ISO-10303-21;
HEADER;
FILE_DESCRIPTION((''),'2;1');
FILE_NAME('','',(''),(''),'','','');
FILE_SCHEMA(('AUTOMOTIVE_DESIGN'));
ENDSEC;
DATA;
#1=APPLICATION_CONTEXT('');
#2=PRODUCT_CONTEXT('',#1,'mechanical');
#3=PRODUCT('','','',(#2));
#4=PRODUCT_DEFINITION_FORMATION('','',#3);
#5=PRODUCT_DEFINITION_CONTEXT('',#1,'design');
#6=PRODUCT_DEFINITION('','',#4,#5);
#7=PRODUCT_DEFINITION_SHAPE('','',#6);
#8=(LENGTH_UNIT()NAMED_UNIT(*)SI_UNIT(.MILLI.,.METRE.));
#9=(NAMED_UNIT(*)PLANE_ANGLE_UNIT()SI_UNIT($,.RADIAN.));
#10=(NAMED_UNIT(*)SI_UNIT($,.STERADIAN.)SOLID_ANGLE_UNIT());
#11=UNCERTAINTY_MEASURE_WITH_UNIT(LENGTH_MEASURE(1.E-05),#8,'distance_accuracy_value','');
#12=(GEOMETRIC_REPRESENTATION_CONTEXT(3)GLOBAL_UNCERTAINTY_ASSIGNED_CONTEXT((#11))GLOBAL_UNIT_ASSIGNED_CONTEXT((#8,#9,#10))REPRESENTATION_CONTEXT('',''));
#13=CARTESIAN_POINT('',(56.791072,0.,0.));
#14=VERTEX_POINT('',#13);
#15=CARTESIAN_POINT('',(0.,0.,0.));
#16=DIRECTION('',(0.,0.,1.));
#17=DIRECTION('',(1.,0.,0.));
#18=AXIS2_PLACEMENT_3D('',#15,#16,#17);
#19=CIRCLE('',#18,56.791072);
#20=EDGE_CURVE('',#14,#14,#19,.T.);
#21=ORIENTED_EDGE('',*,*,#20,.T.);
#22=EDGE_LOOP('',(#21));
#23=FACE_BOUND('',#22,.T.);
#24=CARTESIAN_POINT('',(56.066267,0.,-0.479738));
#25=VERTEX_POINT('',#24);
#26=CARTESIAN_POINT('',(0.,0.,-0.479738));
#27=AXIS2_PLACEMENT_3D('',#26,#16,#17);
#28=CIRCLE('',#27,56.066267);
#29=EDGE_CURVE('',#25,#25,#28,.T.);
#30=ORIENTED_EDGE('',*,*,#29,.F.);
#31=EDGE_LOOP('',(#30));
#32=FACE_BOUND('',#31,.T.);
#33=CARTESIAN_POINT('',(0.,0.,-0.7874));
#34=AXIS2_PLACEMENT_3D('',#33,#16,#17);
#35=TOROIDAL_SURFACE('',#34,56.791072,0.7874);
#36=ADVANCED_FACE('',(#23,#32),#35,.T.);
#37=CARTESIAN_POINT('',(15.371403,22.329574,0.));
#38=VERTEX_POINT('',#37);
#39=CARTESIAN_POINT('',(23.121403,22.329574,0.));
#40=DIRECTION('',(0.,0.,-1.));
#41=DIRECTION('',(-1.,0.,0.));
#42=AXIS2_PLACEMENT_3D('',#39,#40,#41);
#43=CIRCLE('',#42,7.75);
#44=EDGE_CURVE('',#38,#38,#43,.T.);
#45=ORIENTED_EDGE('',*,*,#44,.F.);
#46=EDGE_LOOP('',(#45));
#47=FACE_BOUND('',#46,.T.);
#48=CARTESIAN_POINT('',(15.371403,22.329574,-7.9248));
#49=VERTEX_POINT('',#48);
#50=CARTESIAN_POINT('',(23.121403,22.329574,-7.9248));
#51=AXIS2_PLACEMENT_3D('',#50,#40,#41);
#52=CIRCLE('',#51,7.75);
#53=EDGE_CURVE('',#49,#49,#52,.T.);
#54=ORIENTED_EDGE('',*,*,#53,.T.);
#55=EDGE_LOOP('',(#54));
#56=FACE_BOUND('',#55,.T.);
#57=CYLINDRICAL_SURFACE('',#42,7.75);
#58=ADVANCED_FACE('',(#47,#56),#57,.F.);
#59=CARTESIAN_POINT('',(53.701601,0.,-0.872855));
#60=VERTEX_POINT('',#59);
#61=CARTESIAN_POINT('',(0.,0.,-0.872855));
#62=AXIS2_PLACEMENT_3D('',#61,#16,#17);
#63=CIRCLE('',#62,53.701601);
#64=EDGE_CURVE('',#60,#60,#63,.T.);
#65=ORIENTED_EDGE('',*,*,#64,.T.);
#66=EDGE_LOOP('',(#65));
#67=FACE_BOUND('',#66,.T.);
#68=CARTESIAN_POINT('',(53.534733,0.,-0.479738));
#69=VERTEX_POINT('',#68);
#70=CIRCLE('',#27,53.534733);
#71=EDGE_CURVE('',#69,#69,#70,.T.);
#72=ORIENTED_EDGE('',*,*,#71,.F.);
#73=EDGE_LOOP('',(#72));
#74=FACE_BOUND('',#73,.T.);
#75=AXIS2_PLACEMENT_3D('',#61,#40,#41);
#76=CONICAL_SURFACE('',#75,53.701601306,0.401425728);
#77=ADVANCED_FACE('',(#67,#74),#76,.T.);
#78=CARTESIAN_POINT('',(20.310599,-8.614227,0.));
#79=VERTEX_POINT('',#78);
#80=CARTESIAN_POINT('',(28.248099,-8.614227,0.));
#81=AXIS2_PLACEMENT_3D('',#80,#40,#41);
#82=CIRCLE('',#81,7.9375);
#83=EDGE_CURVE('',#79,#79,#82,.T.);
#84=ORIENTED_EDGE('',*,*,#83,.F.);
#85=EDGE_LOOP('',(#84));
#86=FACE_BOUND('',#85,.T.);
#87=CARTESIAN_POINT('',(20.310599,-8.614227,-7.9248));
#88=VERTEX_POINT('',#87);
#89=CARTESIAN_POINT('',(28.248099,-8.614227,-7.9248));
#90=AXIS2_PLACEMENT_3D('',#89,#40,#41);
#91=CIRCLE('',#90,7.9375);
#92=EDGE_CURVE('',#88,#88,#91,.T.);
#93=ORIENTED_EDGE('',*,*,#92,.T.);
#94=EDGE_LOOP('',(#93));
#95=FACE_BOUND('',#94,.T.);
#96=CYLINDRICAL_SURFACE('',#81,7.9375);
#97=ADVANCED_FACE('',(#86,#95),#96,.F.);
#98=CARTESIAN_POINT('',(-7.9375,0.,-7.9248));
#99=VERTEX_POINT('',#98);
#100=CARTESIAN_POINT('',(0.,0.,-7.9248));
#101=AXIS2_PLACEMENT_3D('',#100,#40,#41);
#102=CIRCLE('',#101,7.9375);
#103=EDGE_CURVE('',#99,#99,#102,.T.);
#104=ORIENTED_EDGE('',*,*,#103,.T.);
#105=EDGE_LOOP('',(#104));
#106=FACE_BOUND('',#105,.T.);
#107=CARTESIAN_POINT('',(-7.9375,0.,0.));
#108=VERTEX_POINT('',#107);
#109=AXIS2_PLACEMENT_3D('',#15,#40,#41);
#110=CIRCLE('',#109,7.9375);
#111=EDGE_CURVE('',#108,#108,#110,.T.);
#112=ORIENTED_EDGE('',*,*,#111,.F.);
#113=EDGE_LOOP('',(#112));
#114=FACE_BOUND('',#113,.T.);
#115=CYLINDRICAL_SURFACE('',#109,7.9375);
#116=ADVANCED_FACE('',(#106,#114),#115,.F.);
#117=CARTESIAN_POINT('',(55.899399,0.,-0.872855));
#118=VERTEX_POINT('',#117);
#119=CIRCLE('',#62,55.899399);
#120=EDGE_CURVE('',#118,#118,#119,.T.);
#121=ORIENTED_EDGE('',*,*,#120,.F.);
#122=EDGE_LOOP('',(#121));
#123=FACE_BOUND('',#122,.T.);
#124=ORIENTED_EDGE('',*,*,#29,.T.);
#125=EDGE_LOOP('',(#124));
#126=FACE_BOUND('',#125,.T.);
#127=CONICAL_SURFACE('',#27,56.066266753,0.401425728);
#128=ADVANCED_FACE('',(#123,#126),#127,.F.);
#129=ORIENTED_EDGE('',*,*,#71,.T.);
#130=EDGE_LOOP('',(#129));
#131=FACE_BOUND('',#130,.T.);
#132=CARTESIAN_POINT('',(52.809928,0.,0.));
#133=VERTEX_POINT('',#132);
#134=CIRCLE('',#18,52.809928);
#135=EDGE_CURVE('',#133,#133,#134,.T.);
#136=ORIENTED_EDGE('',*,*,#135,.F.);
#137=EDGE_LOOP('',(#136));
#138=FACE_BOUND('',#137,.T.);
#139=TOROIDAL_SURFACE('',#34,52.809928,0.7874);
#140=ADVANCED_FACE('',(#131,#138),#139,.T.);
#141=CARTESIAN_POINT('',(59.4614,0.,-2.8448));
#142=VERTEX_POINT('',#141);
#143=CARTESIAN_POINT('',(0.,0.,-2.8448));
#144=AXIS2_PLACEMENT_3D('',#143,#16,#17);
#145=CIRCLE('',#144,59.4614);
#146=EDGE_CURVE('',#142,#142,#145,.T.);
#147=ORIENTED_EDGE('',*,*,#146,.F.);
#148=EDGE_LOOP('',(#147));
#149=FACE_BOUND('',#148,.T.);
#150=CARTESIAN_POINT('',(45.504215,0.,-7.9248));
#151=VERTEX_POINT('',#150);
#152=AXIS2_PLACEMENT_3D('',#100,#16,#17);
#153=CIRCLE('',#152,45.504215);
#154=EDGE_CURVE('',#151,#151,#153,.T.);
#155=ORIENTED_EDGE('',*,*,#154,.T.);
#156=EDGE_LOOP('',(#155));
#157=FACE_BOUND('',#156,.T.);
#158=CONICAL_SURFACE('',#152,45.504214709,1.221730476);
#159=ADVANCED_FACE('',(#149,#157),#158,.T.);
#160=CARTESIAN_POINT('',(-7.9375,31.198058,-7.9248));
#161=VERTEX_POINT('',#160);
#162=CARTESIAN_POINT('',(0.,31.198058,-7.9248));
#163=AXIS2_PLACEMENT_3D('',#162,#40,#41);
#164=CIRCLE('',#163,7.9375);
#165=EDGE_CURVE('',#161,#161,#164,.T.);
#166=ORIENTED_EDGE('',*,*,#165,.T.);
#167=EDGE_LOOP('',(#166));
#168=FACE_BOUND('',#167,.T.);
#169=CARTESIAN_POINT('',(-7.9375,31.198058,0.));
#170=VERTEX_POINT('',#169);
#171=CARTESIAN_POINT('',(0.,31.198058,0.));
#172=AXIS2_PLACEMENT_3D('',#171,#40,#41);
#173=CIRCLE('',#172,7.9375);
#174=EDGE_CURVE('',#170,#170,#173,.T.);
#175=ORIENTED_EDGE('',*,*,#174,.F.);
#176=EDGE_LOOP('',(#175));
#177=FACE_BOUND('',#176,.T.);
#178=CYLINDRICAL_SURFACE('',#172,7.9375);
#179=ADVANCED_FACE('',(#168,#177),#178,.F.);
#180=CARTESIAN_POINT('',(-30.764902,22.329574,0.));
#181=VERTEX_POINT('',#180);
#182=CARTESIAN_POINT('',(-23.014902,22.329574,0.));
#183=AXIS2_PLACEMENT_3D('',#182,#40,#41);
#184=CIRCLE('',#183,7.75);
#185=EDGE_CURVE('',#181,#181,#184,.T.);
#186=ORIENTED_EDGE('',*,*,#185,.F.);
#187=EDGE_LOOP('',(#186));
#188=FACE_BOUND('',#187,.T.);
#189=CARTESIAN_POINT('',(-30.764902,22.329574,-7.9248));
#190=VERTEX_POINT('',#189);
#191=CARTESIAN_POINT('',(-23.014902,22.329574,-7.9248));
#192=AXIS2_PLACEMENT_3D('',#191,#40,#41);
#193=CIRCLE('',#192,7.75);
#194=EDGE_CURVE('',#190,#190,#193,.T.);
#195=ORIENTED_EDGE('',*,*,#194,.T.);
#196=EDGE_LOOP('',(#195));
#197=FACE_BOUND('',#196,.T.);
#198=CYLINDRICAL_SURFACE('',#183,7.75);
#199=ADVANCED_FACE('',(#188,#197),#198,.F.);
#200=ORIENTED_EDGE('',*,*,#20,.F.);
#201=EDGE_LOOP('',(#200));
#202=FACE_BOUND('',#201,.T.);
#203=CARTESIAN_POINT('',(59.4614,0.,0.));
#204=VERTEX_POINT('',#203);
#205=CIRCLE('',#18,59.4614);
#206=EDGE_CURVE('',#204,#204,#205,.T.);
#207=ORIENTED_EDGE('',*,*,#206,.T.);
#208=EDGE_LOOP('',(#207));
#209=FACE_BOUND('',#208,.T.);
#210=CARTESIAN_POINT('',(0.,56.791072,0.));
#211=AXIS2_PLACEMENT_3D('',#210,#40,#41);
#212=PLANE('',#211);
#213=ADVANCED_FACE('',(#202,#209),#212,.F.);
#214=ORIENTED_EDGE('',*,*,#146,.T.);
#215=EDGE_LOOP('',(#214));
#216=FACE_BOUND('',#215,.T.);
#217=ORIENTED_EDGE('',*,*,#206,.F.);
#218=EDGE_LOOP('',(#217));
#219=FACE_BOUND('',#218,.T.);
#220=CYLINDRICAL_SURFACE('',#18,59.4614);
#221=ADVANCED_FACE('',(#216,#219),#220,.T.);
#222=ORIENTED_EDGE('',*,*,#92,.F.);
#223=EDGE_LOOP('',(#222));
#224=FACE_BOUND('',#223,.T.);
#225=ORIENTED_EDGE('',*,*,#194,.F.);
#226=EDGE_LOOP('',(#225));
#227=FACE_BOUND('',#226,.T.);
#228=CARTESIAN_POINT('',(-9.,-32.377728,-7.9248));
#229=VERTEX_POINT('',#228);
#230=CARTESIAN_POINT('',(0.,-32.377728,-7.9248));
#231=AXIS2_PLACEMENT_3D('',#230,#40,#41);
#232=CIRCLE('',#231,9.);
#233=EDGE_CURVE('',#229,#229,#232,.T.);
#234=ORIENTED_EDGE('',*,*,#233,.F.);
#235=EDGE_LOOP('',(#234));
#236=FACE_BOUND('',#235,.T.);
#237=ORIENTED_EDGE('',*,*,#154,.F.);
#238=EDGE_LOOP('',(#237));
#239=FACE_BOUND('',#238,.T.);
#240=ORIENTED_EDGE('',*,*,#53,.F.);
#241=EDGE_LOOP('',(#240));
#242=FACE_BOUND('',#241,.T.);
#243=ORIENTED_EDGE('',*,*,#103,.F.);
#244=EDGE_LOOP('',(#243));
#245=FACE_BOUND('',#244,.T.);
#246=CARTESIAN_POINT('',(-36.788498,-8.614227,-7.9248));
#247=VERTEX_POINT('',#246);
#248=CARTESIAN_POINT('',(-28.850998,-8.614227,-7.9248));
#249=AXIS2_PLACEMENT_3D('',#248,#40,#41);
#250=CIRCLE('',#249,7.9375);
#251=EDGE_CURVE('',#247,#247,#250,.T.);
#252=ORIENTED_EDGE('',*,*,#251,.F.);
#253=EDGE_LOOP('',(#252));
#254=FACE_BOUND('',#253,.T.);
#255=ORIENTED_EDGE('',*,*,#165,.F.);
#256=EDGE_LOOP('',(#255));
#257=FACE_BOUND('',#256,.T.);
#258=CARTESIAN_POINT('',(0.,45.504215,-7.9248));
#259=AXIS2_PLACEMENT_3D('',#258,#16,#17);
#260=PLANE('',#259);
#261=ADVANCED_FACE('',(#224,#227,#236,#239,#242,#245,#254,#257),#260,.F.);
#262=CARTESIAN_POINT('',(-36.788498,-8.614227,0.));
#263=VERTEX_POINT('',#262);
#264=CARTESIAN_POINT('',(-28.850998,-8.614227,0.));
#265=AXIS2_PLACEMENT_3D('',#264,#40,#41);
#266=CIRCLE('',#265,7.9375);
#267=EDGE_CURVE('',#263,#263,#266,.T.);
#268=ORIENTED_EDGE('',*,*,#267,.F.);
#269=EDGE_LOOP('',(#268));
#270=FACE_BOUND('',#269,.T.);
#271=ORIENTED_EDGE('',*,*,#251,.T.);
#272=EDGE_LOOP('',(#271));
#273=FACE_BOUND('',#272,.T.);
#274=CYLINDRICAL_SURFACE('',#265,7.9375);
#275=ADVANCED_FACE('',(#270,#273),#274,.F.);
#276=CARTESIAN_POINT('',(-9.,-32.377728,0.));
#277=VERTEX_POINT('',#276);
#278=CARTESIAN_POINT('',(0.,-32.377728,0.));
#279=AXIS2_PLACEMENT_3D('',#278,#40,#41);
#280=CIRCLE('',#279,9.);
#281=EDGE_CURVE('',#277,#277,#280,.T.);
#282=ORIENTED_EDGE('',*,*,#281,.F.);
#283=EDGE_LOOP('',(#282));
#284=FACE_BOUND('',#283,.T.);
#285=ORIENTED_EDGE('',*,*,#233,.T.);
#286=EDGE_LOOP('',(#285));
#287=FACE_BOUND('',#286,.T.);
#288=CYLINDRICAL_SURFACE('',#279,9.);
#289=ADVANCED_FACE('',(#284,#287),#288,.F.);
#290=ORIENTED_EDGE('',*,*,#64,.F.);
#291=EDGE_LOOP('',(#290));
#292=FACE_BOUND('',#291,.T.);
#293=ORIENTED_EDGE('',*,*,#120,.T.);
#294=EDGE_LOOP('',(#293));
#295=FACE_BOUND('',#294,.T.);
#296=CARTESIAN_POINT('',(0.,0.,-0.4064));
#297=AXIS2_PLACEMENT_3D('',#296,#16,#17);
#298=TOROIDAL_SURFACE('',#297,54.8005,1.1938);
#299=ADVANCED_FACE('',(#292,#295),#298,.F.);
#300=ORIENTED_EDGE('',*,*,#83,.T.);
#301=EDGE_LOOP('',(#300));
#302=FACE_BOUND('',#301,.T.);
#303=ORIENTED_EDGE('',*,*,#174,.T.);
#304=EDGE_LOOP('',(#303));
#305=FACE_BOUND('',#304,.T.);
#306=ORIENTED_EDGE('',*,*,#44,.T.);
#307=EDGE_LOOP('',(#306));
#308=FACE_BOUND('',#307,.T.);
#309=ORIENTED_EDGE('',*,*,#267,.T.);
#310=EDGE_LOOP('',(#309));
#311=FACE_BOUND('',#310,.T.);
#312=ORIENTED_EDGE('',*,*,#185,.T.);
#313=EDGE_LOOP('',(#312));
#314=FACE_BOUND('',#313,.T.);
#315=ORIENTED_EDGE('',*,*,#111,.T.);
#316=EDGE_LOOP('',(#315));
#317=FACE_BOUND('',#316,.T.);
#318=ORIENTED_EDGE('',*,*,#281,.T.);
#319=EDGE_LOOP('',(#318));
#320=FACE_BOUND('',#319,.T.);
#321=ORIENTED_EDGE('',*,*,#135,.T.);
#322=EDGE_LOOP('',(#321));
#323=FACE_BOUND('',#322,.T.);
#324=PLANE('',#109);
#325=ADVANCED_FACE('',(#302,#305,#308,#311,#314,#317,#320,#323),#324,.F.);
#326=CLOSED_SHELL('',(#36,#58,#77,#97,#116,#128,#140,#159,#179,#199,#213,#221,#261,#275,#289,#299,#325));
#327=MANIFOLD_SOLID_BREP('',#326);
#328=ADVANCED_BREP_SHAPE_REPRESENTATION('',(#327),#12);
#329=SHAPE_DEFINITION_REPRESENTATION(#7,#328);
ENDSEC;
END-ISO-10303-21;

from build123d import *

# Parameters (mm, degrees)
SKETCH2_R          = 7.75
SKETCH2_R_2        = 7.9375
SKETCH2_R_3        = 9
CUT_EXTRUDE1_DEPTH = 85.463711951


with BuildPart() as part:
    # Sketch1 → Revolve1 (revolve)
    with BuildSketch(Plane(origin=(0, 0, 0), x_dir=(0, 0, -1), z_dir=(1, 0, 0)), mode=Mode.PRIVATE) as revolve1_sk:
        with BuildLine():
            Line((0, 0), (0, 52.809927725))
            ThreePointArc((0, 52.809927725), (0.130798304, 53.244522907), (0.479738309, 53.534733247))
            Line((0.479738309, 53.534733247), (0.872854821, 53.701601306))
            ThreePointArc((0.872854821, 53.701601306), (1.6002, 54.8005), (0.872854821, 55.899398694))
            Line((0.872854821, 55.899398694), (0.479738309, 56.066266753))
            ThreePointArc((0.479738309, 56.066266753), (0.130798304, 56.356477093), (0, 56.791072275))
            Line((0, 56.791072275), (0, 59.4614))
            Line((0, 59.4614), (2.8448, 59.4614))
            Line((2.8448, 59.4614), (7.9248, 45.504214709))
            Line((7.9248, 45.504214709), (7.9248, 0))
            Line((7.9248, 0), (0, 0))
        make_face()
    revolve(revolve1_sk.sketch.rotate(Axis((0, 0, 0), (0, 0, -1)), 90), axis=Axis((0, 0, 0), (0, 0, -1)))

    # Sketch2 → Cut-Extrude1 (cut, through all)
    with BuildSketch(Plane(origin=(0, 0, -7.9248), x_dir=(-1, 0, 0), z_dir=(0, 0, -1))):
        with Locations((-23.121403313, 22.329574432)):
            Circle(SKETCH2_R)
        with Locations((23.014902328, 22.329574432)):
            Circle(SKETCH2_R)
        with Locations((0, 31.198057894)):
            Circle(SKETCH2_R_2)
        Circle(SKETCH2_R_2)
        with Locations((-28.2480994, -8.614227209)):
            Circle(SKETCH2_R_2)
        with Locations((0, -32.377727799)):
            Circle(SKETCH2_R_3)
        with Locations((28.850997909, -8.614227209)):
            Circle(SKETCH2_R_2)
    extrude(amount=-CUT_EXTRUDE1_DEPTH, mode=Mode.SUBTRACT)


solid = part.part
